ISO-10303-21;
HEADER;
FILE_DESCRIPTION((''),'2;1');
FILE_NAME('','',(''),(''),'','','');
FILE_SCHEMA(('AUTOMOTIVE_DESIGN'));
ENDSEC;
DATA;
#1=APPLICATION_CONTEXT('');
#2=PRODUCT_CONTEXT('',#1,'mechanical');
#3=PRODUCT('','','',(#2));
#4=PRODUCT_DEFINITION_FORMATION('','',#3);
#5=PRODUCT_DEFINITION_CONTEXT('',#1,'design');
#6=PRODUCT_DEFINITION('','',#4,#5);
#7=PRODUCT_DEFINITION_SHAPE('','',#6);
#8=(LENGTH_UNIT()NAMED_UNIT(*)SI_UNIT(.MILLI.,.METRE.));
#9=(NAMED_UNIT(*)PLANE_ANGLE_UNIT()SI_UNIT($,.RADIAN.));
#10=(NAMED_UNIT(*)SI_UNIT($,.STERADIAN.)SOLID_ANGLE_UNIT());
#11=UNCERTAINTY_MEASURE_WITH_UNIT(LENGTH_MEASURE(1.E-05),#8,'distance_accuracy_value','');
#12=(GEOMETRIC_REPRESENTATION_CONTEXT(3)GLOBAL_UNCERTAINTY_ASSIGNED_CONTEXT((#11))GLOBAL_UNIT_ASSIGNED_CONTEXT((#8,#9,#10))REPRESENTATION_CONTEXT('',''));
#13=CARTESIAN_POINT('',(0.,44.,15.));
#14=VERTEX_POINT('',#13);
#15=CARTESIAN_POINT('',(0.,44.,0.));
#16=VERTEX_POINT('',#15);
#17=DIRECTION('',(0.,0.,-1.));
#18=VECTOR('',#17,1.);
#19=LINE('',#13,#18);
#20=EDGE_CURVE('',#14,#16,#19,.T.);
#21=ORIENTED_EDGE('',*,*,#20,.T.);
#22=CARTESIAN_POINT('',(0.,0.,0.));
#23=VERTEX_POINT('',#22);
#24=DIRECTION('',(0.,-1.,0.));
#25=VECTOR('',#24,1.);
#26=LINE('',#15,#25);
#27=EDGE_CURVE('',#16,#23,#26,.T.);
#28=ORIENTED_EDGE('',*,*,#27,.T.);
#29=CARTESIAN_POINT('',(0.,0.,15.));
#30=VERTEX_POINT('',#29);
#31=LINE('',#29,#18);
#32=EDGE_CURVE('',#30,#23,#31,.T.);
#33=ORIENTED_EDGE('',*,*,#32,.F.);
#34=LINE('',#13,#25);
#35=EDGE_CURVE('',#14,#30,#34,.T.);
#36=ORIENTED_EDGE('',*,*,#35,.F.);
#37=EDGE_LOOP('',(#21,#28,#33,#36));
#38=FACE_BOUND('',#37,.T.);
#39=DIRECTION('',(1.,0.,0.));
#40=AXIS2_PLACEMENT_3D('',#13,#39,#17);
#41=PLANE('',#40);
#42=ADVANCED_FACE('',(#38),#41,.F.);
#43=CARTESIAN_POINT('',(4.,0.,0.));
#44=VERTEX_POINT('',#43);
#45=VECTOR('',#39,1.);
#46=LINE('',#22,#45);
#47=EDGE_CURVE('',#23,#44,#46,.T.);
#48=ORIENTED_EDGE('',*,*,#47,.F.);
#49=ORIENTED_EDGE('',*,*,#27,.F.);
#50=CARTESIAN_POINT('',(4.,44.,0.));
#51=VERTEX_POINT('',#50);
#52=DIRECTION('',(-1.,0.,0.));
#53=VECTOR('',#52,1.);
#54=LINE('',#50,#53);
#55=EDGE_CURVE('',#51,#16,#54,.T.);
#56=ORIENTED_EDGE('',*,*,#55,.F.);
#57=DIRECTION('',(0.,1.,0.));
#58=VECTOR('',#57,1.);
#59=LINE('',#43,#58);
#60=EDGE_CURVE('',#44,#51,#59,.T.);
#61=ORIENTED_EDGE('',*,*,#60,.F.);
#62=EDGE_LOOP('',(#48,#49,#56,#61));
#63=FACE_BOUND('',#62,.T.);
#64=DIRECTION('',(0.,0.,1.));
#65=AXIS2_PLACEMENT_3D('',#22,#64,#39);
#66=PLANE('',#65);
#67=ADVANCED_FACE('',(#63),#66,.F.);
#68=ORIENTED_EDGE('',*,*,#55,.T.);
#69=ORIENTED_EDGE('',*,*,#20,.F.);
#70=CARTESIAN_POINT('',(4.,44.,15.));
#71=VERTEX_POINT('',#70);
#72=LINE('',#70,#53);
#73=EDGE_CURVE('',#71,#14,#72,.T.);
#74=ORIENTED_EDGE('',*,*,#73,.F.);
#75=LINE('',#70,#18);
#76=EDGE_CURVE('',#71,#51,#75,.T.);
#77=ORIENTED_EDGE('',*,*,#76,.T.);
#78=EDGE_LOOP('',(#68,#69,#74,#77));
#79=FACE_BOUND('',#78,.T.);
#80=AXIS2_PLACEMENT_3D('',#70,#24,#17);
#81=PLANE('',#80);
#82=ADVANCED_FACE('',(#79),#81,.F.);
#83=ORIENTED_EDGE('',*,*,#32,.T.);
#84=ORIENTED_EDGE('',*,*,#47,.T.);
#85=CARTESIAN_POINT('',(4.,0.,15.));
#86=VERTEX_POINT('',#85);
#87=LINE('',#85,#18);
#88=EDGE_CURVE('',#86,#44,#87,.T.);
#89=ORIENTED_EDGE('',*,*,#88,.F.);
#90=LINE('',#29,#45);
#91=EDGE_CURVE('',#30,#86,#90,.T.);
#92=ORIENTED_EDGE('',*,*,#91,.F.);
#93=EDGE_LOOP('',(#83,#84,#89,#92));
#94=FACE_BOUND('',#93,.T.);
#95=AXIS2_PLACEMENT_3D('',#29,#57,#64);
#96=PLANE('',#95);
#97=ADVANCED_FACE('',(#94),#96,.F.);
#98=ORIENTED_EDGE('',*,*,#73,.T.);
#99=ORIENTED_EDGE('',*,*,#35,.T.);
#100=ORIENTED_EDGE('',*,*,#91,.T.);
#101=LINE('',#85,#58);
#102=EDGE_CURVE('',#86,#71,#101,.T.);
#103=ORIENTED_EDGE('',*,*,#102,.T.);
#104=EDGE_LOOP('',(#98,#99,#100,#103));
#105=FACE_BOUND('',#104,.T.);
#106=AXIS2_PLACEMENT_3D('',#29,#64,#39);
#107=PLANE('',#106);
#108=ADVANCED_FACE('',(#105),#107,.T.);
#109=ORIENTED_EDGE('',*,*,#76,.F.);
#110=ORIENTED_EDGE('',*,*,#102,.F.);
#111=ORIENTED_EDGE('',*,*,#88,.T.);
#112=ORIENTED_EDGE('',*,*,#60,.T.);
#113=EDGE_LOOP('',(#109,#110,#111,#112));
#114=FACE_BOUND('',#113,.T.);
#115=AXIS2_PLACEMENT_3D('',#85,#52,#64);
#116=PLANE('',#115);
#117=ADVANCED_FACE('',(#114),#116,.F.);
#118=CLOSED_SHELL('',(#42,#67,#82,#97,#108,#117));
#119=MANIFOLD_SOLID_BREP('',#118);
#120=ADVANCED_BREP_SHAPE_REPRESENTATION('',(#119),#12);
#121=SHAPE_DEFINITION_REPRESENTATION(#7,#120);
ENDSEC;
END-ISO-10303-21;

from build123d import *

# Parameters (mm, degrees)
SKETCH_1_W         = 4
SKETCH_1_H         = 44
MOUNT_SPACER_DEPTH = 15


with BuildPart() as part:
    # 草图1 → Mount_spacer (new body)
    with BuildSketch(Plane.XY):
        with Locations((2, 22)):
            Rectangle(SKETCH_1_W, SKETCH_1_H)
    extrude(amount=MOUNT_SPACER_DEPTH)


solid = part.part
